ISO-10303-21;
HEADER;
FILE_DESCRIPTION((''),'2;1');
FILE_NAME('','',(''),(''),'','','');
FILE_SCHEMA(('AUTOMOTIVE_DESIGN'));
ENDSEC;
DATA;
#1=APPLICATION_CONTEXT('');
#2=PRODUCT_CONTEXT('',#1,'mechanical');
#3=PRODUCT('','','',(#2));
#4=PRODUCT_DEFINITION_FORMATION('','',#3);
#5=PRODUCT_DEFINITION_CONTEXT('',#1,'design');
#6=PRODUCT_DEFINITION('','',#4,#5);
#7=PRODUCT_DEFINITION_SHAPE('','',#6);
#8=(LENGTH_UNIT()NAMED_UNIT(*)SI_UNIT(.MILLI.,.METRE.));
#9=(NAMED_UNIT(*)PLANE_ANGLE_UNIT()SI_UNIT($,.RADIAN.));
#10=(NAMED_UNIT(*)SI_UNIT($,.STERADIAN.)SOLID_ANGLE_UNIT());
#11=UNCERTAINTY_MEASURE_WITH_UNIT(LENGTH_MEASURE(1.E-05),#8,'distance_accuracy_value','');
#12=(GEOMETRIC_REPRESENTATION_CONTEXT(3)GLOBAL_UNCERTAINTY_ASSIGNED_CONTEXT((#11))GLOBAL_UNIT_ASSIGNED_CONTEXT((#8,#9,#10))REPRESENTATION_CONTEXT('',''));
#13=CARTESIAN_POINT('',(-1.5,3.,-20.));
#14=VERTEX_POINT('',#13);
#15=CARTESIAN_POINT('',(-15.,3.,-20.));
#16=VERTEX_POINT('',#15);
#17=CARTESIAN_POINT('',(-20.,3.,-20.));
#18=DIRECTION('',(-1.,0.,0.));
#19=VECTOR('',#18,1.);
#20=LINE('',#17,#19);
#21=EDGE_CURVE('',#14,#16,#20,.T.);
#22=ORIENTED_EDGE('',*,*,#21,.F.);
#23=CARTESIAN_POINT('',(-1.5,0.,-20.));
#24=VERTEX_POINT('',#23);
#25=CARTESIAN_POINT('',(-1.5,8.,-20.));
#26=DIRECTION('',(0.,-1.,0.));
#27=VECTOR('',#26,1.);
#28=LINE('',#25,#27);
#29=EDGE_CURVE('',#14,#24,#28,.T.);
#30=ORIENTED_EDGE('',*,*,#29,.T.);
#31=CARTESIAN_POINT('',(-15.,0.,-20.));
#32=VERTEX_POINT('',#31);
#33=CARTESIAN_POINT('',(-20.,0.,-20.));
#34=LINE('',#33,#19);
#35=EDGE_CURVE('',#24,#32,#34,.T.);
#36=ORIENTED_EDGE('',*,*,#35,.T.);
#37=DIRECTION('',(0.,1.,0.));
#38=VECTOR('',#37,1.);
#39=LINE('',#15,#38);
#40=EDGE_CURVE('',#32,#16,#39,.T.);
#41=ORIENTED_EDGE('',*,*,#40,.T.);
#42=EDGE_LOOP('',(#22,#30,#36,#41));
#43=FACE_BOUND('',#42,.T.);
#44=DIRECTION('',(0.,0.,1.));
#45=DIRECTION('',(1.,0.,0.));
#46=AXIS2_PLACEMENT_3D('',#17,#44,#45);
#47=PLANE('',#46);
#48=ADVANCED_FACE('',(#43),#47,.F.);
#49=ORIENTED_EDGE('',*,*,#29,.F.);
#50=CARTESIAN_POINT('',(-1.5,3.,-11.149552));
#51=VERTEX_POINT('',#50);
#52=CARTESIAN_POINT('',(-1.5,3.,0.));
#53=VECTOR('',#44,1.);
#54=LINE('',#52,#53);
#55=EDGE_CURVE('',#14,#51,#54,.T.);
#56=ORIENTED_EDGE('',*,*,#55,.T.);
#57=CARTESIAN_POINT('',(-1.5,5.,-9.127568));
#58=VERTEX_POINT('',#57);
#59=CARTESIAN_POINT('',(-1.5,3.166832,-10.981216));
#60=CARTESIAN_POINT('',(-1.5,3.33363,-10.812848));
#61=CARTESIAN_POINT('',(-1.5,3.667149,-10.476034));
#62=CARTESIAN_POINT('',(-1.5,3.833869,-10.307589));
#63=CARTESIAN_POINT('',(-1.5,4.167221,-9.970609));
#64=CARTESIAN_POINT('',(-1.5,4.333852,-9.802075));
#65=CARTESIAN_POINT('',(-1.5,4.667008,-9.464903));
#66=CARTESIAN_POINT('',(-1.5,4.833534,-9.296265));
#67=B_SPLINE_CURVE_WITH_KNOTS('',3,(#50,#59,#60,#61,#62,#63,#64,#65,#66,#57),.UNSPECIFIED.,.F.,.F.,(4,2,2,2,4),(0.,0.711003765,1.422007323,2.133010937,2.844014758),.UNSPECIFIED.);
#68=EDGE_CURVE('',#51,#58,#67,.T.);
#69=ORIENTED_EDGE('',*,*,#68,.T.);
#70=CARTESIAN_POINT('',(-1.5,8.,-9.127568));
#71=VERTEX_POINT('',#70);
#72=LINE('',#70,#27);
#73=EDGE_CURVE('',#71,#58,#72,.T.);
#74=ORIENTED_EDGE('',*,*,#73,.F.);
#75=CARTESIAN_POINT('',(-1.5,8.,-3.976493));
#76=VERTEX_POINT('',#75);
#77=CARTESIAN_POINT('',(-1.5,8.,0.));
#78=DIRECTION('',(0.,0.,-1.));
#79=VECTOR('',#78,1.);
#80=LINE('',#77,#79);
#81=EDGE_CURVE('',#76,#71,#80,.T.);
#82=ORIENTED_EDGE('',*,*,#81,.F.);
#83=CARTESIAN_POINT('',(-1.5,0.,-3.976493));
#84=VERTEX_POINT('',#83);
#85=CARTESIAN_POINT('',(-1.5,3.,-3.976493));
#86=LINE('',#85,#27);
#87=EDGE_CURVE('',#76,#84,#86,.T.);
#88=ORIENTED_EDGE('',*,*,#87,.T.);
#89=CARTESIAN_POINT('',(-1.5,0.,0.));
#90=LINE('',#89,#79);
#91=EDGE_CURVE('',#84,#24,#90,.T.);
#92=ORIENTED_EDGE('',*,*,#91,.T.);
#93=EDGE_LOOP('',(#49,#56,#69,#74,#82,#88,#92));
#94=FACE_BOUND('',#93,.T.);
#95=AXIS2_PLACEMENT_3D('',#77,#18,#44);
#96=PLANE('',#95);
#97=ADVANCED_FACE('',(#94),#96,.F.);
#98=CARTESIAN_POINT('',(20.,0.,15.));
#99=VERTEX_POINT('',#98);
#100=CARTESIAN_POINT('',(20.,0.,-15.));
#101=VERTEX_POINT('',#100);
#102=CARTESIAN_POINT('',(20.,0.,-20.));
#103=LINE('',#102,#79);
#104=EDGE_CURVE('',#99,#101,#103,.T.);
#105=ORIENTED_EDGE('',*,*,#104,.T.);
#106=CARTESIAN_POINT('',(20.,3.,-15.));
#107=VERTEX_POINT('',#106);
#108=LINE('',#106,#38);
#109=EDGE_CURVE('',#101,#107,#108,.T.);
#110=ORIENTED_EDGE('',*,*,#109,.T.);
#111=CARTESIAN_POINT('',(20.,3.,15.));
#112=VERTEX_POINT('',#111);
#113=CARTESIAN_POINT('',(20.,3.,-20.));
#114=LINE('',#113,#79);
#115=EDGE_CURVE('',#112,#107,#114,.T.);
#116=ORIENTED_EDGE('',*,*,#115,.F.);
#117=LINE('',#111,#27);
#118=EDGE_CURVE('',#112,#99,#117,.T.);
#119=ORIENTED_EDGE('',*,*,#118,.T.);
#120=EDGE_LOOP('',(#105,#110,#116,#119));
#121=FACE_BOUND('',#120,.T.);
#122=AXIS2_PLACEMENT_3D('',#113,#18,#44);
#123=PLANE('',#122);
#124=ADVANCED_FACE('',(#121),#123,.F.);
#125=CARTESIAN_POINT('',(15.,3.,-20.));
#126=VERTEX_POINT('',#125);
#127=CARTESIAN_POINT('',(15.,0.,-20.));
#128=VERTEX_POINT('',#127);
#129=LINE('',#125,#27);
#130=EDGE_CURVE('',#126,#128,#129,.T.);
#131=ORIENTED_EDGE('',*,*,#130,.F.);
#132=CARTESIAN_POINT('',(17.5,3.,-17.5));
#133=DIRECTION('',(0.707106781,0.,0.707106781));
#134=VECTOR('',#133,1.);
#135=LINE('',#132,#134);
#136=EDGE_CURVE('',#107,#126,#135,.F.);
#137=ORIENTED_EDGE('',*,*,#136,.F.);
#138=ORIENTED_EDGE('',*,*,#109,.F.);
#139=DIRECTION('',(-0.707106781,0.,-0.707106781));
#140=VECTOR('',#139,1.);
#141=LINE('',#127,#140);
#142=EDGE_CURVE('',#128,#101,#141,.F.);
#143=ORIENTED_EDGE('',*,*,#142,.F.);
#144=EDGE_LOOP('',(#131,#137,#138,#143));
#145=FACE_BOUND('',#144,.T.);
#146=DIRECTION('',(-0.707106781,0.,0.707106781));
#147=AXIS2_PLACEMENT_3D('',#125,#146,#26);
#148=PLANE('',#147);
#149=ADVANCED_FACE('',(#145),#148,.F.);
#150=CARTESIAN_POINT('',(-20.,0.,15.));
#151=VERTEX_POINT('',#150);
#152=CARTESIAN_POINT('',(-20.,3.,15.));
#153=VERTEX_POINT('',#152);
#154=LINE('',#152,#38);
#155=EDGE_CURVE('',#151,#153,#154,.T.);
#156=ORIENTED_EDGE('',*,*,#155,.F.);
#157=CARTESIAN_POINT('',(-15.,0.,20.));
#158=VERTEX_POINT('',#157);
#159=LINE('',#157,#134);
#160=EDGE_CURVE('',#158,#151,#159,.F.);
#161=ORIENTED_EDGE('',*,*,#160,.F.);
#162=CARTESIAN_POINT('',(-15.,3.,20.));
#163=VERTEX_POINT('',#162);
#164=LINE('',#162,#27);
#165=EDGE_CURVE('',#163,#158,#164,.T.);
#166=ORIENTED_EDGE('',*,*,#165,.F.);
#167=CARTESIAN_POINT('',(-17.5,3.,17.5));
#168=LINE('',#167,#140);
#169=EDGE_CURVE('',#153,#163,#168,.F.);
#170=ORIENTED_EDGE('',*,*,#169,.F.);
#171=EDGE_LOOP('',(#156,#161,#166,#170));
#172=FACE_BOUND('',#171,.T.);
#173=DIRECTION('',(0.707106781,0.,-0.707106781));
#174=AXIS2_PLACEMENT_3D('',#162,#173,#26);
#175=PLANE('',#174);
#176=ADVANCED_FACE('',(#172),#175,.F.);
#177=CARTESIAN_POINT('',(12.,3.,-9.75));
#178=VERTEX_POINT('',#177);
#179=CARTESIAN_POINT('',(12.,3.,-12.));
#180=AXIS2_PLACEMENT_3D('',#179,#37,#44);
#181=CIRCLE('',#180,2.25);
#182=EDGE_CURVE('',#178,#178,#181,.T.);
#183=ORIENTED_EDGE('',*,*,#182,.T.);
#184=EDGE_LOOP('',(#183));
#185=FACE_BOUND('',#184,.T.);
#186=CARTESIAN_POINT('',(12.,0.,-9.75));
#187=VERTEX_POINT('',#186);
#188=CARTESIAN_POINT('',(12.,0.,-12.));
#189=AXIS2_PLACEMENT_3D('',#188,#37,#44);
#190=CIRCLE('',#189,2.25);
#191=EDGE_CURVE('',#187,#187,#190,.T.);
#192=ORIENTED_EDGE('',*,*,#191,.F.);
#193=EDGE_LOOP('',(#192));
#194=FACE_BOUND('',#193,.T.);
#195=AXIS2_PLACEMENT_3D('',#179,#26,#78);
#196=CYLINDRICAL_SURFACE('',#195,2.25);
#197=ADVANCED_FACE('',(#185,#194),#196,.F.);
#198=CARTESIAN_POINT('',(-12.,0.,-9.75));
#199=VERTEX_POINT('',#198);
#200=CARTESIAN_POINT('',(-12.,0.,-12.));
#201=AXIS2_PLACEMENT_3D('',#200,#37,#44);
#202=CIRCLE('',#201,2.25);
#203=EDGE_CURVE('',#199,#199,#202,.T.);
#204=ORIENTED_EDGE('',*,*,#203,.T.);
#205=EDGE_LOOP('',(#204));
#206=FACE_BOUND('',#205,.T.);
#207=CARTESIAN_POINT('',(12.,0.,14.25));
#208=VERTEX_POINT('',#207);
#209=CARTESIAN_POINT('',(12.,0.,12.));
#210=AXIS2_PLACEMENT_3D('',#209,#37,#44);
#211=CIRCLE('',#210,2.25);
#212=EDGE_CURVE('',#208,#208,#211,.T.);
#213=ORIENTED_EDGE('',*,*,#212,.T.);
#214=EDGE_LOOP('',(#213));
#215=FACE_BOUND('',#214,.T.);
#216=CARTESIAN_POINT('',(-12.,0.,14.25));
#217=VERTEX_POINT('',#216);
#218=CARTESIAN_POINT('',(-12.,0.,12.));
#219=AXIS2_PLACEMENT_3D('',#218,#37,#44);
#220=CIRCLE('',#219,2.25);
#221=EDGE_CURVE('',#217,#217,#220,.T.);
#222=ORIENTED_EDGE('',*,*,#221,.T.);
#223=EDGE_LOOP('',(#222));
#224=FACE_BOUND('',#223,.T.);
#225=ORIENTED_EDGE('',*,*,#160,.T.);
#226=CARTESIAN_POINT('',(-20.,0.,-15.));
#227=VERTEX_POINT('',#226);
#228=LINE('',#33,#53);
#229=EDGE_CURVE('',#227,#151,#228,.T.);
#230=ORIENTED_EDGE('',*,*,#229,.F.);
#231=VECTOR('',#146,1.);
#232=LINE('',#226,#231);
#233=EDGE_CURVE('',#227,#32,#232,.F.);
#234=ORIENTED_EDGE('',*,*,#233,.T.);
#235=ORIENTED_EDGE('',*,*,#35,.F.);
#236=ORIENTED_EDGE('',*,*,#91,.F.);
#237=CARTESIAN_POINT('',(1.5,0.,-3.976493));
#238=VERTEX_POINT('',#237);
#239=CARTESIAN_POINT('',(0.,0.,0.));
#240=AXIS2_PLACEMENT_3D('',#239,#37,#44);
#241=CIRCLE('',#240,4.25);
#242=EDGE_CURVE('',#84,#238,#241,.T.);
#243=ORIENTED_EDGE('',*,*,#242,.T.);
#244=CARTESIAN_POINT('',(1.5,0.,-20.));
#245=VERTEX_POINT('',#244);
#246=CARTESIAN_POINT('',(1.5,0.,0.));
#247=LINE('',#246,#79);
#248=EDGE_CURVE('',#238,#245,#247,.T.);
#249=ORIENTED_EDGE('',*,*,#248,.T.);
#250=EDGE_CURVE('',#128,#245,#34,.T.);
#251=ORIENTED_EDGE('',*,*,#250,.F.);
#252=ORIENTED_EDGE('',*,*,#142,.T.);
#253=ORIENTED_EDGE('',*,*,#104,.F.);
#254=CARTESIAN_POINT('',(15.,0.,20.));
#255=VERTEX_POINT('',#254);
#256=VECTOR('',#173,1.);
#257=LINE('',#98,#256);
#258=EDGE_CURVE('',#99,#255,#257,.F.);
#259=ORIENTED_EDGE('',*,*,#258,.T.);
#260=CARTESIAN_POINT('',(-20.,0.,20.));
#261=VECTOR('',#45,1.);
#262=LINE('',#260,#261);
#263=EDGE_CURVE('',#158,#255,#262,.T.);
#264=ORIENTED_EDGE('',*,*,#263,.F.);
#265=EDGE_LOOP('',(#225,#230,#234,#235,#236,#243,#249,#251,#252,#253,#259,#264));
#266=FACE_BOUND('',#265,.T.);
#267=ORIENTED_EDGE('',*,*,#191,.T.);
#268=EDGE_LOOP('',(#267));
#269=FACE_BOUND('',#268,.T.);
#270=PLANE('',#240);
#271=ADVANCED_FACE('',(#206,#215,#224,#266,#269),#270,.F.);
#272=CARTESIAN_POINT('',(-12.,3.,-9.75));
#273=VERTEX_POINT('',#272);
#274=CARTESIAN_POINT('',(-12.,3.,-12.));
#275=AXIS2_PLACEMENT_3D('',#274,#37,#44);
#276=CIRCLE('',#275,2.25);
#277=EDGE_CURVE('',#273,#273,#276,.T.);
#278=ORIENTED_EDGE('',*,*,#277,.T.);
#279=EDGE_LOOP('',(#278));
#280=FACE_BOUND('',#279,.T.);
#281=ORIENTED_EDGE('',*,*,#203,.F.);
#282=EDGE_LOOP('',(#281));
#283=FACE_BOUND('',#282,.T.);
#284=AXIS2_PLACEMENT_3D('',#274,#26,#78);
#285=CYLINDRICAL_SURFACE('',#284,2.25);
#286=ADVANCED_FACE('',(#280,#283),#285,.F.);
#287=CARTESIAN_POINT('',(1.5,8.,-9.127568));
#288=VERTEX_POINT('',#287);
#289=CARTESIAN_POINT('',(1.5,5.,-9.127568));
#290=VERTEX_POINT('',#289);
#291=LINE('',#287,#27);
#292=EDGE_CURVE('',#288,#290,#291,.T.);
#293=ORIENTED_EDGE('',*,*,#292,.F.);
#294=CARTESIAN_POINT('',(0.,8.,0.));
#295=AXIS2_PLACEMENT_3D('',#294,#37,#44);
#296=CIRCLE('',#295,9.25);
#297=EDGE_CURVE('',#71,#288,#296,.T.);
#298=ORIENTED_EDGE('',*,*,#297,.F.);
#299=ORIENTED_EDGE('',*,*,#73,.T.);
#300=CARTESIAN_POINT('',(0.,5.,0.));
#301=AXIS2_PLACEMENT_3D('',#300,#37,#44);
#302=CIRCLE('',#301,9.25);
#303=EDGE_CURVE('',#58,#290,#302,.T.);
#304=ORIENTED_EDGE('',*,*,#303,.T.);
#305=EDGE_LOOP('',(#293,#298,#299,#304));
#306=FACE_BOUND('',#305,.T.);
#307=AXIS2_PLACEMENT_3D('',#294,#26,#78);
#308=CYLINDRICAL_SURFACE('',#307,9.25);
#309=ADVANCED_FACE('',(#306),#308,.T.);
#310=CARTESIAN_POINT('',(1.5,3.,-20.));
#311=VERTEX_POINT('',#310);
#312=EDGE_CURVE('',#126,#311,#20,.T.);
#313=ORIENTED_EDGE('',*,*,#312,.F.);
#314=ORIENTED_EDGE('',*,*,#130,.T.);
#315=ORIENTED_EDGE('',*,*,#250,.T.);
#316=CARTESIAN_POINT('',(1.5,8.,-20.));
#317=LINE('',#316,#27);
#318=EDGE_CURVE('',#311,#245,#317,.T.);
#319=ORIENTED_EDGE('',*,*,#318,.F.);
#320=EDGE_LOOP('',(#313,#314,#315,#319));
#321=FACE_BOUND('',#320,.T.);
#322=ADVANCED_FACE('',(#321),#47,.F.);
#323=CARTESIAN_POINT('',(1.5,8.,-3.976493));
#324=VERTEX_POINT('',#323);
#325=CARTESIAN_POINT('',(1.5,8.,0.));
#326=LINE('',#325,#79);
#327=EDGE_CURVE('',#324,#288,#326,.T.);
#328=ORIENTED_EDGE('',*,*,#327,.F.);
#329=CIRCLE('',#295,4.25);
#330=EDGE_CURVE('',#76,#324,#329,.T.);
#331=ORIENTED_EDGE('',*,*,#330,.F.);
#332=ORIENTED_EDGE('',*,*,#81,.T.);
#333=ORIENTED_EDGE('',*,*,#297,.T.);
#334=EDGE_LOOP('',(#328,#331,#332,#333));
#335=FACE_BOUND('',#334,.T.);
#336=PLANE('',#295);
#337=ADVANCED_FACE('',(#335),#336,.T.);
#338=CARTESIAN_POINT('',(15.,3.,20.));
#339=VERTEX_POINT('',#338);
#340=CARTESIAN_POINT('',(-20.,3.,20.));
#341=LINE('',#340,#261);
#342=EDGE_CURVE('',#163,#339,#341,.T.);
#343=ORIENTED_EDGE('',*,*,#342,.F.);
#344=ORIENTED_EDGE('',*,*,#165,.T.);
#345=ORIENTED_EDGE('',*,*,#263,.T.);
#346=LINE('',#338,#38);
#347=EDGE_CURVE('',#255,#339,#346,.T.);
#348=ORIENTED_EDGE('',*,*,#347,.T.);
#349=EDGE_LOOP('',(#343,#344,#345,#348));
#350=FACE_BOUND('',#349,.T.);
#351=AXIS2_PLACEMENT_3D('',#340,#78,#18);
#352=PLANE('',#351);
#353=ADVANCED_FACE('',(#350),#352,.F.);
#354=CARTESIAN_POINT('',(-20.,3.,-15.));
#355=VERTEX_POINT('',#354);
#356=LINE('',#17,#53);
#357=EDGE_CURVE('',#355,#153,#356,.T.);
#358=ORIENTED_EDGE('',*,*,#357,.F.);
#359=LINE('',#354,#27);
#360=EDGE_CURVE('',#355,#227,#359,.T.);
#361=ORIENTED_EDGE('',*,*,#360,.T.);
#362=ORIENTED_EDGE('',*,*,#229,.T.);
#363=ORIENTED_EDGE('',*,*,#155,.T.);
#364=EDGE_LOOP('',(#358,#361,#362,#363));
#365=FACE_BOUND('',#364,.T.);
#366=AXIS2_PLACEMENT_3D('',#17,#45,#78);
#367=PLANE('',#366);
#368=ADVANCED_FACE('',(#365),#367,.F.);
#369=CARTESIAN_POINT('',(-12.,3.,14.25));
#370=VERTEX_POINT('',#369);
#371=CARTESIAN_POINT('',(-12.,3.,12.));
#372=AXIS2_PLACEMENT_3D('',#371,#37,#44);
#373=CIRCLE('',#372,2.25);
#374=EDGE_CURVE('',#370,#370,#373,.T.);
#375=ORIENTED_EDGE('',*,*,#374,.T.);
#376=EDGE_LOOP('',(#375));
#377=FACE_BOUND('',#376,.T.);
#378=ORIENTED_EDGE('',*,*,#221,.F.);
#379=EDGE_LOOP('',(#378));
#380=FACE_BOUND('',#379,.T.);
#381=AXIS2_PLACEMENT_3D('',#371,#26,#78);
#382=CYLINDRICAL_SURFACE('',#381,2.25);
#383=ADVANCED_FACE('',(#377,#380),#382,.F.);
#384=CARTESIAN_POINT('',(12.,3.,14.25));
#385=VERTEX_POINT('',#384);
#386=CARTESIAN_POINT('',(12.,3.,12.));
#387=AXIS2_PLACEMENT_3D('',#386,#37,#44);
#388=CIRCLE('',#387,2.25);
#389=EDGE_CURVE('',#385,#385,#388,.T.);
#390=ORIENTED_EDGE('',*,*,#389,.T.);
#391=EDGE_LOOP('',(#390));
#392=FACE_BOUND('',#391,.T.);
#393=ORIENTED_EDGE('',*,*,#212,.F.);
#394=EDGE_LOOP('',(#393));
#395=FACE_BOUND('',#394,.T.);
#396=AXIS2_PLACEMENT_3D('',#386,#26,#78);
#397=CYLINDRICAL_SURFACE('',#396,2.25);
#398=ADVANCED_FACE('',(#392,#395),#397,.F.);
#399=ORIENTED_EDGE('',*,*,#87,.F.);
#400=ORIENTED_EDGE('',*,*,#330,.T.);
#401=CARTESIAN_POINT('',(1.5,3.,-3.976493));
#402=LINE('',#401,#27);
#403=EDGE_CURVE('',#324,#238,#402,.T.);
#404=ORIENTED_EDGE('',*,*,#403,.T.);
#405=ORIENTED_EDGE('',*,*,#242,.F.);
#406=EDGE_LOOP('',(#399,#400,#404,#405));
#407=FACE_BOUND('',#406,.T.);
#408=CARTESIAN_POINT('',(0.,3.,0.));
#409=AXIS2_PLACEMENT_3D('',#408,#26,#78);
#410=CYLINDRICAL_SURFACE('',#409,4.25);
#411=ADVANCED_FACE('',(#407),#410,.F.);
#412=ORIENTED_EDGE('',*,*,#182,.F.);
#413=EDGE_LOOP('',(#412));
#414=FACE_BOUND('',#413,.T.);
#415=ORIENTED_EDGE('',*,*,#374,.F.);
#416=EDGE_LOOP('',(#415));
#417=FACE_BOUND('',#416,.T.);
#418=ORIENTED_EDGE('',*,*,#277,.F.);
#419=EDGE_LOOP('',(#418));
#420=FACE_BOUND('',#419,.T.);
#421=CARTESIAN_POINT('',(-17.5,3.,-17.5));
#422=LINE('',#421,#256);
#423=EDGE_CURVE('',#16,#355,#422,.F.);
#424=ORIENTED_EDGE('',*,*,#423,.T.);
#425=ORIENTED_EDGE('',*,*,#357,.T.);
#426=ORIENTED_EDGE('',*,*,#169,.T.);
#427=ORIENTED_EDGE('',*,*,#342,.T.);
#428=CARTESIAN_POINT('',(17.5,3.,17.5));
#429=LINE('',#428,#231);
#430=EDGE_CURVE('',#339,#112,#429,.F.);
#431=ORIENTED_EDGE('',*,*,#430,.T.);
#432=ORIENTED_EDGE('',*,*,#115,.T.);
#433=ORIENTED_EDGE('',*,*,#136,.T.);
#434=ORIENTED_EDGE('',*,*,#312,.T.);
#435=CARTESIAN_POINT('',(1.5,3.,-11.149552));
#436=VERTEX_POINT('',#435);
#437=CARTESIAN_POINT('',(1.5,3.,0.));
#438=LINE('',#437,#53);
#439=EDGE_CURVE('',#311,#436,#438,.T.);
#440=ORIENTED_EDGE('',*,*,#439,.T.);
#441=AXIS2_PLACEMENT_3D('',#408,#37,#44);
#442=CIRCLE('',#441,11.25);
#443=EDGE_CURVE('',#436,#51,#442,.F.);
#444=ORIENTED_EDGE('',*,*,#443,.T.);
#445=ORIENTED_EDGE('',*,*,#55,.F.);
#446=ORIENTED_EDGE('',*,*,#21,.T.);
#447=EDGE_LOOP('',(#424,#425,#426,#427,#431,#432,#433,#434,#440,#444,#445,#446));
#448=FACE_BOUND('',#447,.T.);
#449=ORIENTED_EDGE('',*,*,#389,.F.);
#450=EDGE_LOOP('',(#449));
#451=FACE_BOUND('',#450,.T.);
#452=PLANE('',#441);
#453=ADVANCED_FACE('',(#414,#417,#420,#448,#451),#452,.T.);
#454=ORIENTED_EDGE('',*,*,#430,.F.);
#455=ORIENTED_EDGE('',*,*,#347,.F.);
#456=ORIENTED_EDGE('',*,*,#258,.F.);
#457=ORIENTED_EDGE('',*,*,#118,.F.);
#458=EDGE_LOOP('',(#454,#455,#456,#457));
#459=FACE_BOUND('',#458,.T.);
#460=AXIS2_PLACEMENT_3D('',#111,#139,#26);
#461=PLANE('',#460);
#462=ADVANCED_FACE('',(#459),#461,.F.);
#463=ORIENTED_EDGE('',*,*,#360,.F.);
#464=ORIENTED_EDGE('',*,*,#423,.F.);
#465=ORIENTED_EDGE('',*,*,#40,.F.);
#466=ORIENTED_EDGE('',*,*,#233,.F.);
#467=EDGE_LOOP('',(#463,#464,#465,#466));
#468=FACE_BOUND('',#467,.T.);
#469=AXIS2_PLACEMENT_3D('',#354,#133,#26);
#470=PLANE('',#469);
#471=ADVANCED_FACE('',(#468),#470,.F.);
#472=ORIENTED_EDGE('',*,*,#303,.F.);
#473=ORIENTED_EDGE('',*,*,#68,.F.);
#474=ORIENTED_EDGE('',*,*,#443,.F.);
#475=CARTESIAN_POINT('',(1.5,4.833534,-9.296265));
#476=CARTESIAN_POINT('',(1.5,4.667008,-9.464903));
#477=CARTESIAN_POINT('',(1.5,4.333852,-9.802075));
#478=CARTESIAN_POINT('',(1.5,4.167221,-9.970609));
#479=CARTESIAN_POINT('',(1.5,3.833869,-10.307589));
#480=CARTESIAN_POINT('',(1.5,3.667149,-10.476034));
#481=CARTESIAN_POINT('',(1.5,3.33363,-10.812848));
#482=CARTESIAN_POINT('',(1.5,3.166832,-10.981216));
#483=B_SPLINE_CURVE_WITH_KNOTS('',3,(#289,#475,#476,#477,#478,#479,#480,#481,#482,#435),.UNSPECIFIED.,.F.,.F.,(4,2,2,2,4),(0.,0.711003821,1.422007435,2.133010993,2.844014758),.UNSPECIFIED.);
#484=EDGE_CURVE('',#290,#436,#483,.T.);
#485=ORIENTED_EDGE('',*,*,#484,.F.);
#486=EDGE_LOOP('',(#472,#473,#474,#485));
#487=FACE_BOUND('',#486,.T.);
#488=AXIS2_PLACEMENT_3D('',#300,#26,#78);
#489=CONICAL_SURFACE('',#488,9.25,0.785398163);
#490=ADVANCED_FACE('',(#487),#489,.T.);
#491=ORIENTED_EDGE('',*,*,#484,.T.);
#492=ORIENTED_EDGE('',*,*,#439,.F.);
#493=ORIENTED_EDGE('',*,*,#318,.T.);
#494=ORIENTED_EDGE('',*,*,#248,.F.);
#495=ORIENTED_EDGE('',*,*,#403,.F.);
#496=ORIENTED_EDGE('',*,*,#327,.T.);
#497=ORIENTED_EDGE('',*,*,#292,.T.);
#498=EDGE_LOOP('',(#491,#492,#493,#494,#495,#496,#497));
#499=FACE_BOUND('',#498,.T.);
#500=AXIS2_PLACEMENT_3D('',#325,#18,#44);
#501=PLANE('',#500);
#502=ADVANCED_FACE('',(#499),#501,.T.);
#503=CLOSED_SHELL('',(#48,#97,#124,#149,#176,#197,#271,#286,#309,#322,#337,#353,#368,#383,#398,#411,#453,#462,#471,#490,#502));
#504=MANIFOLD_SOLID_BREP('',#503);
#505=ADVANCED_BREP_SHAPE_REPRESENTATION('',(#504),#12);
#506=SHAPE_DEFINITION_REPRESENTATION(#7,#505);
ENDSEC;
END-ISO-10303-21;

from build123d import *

# Parameters (mm, degrees)
SKETCH1_W                    = 40
SKETCH1_H                    = 40
SKETCH1_R                    = 4.25
SKETCH1_R_2                  = 2.25
BOSS_EXTRUDE1_DEPTH          = 3
SKETCH3_R                    = 9.25
SKETCH3_R_2                  = 4.25
BOSS_EXTRUDE2_DEPTH          = 5
CUT_EXTRUDE_THIN1_DEPTH      = 29.722813233
CUT_EXTRUDE_THIN1_DEPTH_BACK = 3
SKETCH2_W                    = 3
SKETCH2_H                    = 20
CHAMFER1_SIZE                = 5
CHAMFER2_SIZE                = 2


with BuildPart() as part:
    # Sketch1 → Boss-Extrude1 (new body)
    with BuildSketch(Plane(origin=(0, 0, 0), x_dir=(1, 0, 0), z_dir=(0, 1, 0))):
        Rectangle(SKETCH1_W, SKETCH1_H)
        with Locations(Location((0, 0, 0), (0, 0, 270))):
            Circle(SKETCH1_R, mode=Mode.SUBTRACT)
        with Locations(Location((-12, -12, 0), (0, 0, 270))):
            Circle(SKETCH1_R_2, mode=Mode.SUBTRACT)
        with Locations(Location((-12, 12, 0), (0, 0, 270))):
            Circle(SKETCH1_R_2, mode=Mode.SUBTRACT)
        with Locations(Location((12, 12, 0), (0, 0, 270))):
            Circle(SKETCH1_R_2, mode=Mode.SUBTRACT)
        with Locations(Location((12, -12, 0), (0, 0, 270))):
            Circle(SKETCH1_R_2, mode=Mode.SUBTRACT)
    extrude(amount=BOSS_EXTRUDE1_DEPTH)

    # Sketch3 → Boss-Extrude2 (add)
    with BuildSketch(Plane(origin=(0, 3, 0), x_dir=(1, 0, 0), z_dir=(0, 1, 0))):
        with Locations(Location((0, 0, 0), (0, 0, 270))):
            Circle(SKETCH3_R)
        with Locations(Location((0, 0, 0), (0, 0, 270))):
            Circle(SKETCH3_R_2, mode=Mode.SUBTRACT)
    extrude(amount=BOSS_EXTRUDE2_DEPTH)

    # Sketch2 → Cut-Extrude-Thin1 (cut, two sides: drawn at the far end of the back side and taken through both)
    with BuildSketch(Plane(origin=(0, 3, 0), x_dir=(1, 0, 0), z_dir=(0, 1, 0)).offset(-CUT_EXTRUDE_THIN1_DEPTH_BACK)):
        with Locations((0, 10)):
            Rectangle(SKETCH2_W, SKETCH2_H)
    extrude(amount=CUT_EXTRUDE_THIN1_DEPTH + CUT_EXTRUDE_THIN1_DEPTH_BACK, mode=Mode.SUBTRACT)

    # Chamfer1
    chamfer1_edges = [part.edges().sort_by_distance(p)[0] for p in [
        (20, 1.5, 20),
        (-20, 1.5, 20),
        (-20, 1.5, -20),
        (20, 1.5, -20),
    ]]
    chamfer(chamfer1_edges, length=CHAMFER1_SIZE)

    # Chamfer2
    chamfer2_edges = [part.edges().sort_by_distance(p)[0] for p in [
        (0, 3, 9.25),
    ]]
    chamfer(chamfer2_edges, length=CHAMFER2_SIZE)


solid = part.part
